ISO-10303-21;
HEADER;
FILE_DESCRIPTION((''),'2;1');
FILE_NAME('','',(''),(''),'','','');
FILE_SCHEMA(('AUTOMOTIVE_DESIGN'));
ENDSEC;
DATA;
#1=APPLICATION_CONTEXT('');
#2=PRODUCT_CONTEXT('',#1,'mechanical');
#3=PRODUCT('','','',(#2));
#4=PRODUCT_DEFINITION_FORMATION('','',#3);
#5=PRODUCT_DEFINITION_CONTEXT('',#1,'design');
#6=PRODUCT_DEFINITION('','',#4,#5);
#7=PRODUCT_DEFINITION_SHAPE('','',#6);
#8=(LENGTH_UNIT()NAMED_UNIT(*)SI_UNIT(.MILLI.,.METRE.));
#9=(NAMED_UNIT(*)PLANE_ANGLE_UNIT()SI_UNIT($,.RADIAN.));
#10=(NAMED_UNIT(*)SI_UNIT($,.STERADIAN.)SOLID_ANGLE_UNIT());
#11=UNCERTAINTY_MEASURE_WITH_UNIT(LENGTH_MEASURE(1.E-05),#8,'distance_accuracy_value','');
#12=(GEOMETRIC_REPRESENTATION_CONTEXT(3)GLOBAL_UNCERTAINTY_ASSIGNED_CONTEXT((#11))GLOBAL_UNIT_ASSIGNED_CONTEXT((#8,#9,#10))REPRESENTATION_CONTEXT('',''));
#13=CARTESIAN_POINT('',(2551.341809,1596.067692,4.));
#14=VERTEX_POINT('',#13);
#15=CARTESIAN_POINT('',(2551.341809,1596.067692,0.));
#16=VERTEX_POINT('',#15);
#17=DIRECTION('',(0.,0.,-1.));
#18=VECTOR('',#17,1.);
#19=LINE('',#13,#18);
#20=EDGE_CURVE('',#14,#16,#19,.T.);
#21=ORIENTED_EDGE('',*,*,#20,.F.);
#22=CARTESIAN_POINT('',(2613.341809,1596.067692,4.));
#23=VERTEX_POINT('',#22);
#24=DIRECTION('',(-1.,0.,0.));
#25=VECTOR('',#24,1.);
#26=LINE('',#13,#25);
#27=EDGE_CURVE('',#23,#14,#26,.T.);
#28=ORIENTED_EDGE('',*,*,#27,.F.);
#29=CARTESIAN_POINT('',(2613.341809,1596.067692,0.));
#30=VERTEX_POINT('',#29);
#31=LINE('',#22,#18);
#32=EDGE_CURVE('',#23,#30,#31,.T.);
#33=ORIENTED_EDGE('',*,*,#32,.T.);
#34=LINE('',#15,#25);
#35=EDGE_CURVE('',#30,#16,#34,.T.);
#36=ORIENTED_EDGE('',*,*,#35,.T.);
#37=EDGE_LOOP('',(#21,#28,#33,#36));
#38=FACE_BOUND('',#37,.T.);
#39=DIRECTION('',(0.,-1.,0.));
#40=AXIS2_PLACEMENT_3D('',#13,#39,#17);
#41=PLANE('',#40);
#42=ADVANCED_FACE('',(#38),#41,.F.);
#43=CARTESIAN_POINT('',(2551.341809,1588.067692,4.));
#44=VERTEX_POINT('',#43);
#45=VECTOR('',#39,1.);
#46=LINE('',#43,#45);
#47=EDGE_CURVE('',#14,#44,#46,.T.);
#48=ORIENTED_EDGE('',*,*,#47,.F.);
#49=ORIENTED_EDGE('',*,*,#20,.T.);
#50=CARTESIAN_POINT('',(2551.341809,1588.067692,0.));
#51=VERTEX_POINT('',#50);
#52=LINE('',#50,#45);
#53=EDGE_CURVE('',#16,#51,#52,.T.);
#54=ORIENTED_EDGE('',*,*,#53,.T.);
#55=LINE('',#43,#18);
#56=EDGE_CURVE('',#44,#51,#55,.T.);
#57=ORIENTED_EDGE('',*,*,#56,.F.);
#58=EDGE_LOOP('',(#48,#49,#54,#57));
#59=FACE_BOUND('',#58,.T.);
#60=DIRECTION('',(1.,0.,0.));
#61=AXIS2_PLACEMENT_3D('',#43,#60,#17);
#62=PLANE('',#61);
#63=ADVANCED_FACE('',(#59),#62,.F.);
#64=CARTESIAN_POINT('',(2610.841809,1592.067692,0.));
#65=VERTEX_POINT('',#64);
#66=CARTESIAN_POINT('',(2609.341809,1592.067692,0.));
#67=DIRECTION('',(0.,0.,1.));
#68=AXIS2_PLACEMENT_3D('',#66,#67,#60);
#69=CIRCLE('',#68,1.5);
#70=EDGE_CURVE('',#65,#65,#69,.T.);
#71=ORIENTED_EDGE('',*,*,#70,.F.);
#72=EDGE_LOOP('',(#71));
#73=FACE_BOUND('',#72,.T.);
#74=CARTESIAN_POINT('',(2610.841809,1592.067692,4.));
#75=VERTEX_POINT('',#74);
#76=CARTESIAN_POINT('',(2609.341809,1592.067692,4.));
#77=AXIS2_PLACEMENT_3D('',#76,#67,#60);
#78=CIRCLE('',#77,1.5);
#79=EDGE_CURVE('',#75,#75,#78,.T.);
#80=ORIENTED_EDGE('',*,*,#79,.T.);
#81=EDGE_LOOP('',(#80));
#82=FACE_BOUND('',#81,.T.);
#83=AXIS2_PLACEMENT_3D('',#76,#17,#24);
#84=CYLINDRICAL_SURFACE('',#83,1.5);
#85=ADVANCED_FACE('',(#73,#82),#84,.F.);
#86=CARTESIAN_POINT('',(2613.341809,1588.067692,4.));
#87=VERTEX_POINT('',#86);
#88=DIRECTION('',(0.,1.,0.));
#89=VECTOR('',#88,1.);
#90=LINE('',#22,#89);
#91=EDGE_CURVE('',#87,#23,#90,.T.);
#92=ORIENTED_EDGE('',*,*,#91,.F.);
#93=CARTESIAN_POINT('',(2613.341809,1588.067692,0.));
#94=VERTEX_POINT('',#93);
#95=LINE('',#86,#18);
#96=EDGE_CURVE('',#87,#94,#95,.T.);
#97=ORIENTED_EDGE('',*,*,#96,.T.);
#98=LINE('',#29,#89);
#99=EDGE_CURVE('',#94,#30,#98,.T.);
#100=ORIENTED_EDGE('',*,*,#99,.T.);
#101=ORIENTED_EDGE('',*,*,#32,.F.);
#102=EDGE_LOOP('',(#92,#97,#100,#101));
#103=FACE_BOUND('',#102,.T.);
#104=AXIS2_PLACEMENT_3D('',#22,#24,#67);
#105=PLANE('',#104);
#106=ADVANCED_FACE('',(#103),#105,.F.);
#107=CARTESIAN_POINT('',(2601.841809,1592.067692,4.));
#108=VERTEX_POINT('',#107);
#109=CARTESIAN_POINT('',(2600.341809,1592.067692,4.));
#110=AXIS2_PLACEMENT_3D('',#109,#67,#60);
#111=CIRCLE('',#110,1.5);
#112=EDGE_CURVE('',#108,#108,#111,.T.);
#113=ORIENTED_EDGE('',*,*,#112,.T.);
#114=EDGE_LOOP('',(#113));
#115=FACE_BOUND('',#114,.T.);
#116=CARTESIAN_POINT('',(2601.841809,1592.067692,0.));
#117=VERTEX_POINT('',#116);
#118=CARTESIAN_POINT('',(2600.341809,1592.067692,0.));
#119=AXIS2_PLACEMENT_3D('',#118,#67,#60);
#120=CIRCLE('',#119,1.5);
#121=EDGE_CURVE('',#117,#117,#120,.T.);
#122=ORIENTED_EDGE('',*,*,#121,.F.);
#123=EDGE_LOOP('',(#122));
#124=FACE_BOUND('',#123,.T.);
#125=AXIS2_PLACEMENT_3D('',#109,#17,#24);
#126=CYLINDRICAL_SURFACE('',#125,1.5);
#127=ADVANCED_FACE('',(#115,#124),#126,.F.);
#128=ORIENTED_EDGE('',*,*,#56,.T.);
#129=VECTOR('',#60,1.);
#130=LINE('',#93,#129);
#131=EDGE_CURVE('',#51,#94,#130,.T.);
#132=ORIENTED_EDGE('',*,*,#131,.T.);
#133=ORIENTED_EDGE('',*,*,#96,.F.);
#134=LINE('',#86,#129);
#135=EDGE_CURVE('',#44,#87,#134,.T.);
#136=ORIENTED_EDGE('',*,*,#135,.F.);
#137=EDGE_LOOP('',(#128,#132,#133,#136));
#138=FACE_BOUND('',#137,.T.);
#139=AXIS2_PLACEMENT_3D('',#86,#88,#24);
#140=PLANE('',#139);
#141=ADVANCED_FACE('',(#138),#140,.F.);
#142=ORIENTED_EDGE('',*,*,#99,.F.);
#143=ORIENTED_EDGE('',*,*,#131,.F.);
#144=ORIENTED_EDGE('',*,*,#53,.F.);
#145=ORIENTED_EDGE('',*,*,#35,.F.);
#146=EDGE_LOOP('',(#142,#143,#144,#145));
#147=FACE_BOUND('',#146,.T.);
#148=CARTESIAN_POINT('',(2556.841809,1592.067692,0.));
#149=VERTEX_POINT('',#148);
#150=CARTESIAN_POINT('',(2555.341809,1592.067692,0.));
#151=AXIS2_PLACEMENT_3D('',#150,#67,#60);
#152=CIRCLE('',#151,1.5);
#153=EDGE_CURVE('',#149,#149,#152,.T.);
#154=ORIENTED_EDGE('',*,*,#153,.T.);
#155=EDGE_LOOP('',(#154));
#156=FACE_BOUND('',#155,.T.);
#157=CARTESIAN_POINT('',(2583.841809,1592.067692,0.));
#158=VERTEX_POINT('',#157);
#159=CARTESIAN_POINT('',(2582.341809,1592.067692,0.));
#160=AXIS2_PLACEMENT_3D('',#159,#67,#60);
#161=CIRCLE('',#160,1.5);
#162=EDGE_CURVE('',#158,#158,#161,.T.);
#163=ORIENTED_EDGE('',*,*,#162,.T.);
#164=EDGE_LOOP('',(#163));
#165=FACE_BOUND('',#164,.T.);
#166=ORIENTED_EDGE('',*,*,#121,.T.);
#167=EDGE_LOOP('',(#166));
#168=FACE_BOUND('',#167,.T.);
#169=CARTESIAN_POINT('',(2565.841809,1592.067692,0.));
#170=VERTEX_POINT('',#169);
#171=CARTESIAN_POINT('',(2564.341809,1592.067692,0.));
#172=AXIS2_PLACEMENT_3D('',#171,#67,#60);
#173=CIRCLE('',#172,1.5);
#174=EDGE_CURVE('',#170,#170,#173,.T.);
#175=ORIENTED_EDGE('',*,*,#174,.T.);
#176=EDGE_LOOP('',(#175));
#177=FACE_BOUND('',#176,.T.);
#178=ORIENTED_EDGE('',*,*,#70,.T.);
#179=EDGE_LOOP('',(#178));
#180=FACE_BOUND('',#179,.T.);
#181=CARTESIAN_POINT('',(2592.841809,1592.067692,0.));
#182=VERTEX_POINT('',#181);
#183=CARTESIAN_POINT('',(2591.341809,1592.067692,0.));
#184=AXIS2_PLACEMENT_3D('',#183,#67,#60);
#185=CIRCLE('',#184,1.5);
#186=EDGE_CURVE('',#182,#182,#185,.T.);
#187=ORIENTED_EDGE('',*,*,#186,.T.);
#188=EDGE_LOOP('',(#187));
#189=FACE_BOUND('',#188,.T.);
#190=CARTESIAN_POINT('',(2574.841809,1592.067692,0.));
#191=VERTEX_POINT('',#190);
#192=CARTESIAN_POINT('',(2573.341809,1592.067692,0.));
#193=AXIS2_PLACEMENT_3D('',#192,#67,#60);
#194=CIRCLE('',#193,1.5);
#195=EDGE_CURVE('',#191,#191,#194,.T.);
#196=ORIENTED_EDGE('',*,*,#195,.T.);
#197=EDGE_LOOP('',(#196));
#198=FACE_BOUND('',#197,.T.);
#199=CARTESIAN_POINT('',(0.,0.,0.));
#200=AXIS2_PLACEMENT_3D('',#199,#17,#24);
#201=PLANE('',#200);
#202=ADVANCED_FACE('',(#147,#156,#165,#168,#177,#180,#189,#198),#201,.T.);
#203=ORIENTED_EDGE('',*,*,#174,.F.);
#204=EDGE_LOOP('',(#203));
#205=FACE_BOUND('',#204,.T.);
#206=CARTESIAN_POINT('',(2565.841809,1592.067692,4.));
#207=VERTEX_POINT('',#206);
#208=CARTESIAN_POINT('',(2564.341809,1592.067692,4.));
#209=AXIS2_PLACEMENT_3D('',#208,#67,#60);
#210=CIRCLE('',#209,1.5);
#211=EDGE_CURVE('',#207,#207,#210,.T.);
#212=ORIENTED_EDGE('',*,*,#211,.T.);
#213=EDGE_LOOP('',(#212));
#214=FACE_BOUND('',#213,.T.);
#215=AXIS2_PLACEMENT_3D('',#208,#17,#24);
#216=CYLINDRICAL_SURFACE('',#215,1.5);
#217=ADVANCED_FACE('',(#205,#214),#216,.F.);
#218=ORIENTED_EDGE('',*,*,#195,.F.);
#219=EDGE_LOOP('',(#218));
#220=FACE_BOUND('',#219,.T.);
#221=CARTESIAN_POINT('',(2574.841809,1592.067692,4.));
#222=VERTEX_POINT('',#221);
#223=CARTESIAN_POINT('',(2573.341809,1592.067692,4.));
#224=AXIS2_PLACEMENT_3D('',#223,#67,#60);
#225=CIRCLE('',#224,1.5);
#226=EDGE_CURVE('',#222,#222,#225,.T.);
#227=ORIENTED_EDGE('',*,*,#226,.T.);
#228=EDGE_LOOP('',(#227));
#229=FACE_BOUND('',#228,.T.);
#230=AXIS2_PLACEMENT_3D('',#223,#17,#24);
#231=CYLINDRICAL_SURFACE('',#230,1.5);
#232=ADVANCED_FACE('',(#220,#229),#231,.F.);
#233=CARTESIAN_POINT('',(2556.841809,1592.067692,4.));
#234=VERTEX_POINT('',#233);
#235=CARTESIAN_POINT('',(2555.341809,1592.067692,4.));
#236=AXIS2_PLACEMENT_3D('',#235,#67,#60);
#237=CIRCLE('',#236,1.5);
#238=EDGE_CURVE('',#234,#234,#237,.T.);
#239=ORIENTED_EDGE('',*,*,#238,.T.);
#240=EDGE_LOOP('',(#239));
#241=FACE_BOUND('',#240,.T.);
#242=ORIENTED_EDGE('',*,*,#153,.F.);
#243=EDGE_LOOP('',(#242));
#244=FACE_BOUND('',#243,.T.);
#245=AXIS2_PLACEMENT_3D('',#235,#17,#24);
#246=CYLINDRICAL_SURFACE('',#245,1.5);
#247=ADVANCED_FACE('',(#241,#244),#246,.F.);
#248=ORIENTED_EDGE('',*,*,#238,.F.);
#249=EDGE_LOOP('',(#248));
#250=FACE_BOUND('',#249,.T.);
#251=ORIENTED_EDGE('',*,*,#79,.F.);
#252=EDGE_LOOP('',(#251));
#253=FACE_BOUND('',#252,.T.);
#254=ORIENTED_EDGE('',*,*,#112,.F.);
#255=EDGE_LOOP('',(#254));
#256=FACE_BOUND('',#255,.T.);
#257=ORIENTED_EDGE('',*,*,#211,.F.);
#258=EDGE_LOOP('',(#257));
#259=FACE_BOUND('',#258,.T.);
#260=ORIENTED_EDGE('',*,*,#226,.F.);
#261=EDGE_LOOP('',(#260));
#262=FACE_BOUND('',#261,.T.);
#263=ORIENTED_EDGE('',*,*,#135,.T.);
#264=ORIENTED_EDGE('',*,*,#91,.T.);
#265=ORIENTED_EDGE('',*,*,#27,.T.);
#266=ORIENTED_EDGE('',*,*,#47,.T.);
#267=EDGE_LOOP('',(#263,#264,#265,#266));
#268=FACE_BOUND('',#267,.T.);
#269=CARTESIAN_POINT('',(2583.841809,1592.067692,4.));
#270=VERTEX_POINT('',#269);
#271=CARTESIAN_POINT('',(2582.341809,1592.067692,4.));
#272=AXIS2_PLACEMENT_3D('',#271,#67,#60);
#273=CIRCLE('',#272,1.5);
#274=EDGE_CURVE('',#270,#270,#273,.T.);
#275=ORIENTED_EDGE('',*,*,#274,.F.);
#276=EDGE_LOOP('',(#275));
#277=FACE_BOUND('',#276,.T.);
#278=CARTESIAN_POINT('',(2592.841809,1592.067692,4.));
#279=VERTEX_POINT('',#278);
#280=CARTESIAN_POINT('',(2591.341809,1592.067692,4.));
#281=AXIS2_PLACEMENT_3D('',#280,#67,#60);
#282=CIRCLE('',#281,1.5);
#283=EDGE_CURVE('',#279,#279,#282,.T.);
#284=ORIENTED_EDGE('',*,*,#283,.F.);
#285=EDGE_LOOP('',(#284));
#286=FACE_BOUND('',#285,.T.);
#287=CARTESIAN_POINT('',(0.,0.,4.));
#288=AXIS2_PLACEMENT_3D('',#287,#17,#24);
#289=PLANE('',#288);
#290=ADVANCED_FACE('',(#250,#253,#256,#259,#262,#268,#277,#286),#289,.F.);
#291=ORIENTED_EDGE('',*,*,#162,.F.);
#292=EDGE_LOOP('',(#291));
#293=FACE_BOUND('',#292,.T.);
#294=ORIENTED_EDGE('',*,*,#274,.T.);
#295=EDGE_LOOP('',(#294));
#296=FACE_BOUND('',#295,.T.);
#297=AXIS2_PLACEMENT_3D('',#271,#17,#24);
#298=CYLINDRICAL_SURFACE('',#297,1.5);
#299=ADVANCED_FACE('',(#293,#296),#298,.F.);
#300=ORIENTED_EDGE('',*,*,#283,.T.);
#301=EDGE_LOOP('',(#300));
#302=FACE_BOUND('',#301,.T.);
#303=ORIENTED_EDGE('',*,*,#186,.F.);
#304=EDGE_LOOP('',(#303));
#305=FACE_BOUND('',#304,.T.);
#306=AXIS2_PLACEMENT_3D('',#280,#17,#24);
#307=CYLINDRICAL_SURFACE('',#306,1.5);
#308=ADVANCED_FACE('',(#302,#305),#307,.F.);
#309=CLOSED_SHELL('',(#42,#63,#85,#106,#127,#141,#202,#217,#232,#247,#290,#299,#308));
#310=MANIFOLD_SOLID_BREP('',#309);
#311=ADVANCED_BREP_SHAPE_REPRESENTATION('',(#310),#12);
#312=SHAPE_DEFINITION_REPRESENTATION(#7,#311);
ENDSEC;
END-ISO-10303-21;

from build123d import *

# Parameters (mm, degrees)
SKETCH_1_W      = 62
SKETCH_1_H      = 8
SKETCH_1_R      = 1.5
EXTRUDE_1_DEPTH = 4


with BuildPart() as part:
    # 草图1 → 凸台-拉伸1 (new body)
    with BuildSketch(Plane.XY):
        with Locations((2582.341808549, 1592.067691538)):
            Rectangle(SKETCH_1_W, SKETCH_1_H)
        with Locations((2555.341808549, 1592.067691538)):
            Circle(SKETCH_1_R, mode=Mode.SUBTRACT)
        with Locations((2564.341808549, 1592.067691538)):
            Circle(SKETCH_1_R, mode=Mode.SUBTRACT)
        with Locations((2573.341808549, 1592.067691538)):
            Circle(SKETCH_1_R, mode=Mode.SUBTRACT)
        with Locations((2582.341808549, 1592.067691538)):
            Circle(SKETCH_1_R, mode=Mode.SUBTRACT)
        with Locations((2591.341808549, 1592.067691538)):
            Circle(SKETCH_1_R, mode=Mode.SUBTRACT)
        with Locations((2600.341808549, 1592.067691538)):
            Circle(SKETCH_1_R, mode=Mode.SUBTRACT)
        with Locations((2609.341808549, 1592.067691538)):
            Circle(SKETCH_1_R, mode=Mode.SUBTRACT)
    extrude(amount=EXTRUDE_1_DEPTH)


solid = part.part
